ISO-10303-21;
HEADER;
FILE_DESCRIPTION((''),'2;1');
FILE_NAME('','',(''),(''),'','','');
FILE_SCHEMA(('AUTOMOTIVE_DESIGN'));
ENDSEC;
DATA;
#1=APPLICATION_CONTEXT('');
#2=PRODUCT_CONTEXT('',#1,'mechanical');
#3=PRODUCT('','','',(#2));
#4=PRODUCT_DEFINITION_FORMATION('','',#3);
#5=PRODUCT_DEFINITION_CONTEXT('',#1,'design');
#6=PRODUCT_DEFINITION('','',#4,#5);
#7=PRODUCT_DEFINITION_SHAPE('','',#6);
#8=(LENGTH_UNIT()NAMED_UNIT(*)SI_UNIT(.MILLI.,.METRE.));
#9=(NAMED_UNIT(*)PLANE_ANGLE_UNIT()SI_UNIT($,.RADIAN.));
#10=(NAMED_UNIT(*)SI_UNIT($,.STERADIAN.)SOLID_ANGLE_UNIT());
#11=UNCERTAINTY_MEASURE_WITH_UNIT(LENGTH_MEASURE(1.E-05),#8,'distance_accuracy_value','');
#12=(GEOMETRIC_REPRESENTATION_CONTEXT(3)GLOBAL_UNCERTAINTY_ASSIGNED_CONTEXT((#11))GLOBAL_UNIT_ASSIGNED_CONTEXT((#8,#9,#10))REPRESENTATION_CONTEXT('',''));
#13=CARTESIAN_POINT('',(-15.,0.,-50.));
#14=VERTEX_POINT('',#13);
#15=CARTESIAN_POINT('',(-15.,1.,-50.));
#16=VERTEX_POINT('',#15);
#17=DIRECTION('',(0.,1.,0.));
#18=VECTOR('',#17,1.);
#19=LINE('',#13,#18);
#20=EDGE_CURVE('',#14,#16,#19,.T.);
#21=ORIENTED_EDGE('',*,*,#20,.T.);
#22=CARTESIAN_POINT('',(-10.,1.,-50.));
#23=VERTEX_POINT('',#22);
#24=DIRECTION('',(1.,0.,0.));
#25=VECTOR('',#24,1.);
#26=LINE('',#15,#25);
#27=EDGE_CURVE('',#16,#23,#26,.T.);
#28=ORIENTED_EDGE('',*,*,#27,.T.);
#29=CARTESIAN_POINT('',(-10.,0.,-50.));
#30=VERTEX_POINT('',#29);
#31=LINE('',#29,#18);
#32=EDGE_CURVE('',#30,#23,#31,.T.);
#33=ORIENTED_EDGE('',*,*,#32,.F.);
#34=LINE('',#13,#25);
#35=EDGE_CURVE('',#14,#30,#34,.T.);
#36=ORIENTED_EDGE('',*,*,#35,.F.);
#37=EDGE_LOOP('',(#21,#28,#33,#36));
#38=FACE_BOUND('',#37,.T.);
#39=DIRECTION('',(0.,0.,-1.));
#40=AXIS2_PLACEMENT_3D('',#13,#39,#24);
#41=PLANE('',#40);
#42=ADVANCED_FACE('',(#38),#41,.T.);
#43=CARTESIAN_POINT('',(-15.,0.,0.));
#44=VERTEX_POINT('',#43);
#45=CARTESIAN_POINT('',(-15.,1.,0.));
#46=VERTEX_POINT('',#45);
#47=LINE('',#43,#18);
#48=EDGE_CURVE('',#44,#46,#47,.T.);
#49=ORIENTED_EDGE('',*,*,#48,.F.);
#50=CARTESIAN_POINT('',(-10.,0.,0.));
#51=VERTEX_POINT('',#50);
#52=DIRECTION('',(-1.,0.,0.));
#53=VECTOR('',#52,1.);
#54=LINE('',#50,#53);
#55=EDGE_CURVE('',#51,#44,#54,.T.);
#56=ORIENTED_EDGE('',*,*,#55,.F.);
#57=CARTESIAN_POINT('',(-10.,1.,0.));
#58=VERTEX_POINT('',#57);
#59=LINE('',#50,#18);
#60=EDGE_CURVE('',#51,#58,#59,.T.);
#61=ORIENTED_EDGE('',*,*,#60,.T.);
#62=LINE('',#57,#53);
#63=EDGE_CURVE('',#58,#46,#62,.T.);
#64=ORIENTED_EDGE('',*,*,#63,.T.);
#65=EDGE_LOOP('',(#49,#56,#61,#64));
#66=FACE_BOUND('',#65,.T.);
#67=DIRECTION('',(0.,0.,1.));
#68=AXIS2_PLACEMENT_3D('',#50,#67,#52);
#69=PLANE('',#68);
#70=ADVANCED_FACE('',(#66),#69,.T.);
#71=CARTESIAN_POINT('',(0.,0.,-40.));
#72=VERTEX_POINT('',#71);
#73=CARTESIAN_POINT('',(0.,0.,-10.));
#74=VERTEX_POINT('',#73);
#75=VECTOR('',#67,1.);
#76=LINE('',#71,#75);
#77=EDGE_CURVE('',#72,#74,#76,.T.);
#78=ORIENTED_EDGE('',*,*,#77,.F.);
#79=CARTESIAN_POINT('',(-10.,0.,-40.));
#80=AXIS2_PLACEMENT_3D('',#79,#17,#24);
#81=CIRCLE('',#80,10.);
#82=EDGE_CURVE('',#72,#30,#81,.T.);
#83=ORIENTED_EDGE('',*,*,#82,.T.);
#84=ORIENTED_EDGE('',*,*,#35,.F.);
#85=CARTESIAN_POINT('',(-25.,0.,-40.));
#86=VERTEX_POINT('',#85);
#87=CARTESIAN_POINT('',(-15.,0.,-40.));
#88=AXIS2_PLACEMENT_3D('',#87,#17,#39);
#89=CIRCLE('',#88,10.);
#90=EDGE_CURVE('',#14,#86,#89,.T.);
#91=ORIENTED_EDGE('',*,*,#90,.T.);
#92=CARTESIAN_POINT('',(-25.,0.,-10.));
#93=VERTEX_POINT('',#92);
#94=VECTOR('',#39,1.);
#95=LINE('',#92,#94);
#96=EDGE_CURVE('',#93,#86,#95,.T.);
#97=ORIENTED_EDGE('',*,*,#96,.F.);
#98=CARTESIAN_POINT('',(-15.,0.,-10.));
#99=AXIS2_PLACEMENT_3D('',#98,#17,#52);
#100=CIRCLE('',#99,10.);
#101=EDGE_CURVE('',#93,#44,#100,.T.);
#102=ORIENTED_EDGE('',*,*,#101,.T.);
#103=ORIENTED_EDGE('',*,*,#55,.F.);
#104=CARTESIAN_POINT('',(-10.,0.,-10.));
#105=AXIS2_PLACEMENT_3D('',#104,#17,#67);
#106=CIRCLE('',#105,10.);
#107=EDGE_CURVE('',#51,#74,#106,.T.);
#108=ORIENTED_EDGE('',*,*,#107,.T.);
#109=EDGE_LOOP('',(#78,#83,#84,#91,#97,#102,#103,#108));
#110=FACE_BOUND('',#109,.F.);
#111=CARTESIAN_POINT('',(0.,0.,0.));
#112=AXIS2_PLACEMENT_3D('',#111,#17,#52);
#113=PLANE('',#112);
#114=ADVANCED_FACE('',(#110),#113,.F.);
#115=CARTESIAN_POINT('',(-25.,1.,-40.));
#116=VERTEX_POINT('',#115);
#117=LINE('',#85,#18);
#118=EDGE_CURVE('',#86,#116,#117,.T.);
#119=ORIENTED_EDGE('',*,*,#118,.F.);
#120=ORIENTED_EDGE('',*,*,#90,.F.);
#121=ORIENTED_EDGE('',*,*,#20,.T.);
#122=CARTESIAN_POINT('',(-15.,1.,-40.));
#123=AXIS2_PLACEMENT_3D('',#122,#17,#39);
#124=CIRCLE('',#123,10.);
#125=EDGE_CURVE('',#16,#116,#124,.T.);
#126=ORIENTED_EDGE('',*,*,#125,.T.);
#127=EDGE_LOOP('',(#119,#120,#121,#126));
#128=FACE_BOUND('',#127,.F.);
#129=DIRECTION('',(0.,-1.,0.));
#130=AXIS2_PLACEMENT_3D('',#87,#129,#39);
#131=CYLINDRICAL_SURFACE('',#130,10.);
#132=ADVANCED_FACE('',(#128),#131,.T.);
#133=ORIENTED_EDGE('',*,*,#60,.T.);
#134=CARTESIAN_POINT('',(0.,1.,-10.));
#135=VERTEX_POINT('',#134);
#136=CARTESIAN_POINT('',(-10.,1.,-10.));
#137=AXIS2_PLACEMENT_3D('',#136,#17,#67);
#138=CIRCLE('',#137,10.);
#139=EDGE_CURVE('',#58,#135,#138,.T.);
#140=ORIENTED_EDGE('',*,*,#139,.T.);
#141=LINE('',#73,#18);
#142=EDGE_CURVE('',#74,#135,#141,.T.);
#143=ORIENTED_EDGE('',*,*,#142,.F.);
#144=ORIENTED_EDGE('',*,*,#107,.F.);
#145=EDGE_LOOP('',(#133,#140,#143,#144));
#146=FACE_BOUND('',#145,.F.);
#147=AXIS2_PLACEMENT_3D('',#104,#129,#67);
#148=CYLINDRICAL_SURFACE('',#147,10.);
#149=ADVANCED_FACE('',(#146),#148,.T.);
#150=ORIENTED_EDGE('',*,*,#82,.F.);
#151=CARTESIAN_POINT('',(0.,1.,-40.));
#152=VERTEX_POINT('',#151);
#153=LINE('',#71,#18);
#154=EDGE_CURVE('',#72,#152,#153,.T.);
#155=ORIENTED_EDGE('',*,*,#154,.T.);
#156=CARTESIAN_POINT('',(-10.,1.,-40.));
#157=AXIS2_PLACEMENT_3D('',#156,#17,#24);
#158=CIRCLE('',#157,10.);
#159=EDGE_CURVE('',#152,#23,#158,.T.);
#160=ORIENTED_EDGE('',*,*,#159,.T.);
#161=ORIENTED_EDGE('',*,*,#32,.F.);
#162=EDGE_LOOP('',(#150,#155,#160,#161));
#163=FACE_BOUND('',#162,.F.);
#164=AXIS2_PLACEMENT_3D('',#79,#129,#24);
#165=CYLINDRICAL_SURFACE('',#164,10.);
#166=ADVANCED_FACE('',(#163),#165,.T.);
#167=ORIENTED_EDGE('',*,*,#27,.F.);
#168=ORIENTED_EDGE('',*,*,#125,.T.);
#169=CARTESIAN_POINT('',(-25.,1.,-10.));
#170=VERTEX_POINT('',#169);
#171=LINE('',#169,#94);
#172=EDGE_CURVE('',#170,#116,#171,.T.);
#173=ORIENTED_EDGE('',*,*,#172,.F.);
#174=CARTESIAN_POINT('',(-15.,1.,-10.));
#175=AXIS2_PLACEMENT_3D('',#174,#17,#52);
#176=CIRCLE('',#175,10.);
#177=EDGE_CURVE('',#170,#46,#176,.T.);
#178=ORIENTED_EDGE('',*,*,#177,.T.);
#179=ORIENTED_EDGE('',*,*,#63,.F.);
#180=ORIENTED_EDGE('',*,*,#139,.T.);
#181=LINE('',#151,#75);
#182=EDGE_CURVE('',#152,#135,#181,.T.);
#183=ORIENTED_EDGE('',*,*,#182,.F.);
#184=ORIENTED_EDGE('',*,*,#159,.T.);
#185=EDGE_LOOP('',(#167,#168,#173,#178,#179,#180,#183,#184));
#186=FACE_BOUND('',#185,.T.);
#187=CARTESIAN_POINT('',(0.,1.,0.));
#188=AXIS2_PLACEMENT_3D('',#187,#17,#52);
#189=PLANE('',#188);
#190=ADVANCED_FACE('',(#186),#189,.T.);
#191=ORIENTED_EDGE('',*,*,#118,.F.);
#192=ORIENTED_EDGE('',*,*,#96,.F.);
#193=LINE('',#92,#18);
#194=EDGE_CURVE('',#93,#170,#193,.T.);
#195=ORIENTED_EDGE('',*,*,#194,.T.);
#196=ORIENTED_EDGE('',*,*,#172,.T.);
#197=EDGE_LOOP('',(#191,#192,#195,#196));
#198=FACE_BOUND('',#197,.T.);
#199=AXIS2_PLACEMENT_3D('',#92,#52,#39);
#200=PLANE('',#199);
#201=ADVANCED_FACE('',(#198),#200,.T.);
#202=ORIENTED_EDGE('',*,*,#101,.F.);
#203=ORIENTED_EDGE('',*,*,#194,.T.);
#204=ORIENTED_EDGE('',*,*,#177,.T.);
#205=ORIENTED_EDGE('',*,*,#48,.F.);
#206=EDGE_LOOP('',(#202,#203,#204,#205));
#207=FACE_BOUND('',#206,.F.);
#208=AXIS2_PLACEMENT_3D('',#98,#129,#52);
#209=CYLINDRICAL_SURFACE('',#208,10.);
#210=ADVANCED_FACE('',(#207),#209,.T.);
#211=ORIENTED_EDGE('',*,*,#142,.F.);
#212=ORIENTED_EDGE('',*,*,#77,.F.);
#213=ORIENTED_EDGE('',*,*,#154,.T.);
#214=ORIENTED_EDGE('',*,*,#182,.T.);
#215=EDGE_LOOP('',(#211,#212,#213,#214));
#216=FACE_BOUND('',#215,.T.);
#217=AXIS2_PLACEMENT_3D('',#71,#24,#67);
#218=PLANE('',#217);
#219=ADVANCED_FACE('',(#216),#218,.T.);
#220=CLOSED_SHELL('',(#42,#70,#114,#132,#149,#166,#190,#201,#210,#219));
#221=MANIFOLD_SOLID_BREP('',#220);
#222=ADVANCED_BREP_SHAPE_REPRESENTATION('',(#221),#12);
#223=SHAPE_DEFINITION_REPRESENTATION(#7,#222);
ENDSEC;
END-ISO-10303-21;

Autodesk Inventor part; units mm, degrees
ref_plane "YZ Plane" through (0, 0, 0) normal (1, 0, 0) x (0, 1, 0)
ref_plane "XZ Plane" through (0, 0, 0) normal (0, 1, 0) x (-1, 0, 0)
ref_plane "XY Plane" through (0, 0, 0) normal (0, 0, 1) x (1, 0, 0)
sketch "Sketch1" plane through (0, 0, 0) normal (0, 1, 0) x (-1, 0, 0)
  line L0 (10, 0) -> (15, 0)
  line L1 (25, -10) -> (25, -40)
  line L2 (15, -50) -> (10, -50)
  line L3 (0, -40) -> (0, -10)
  arc A0 (25, -2) -> (23, 0) centre (23, -2) ccw
  arc A1 (25, -10) -> (15, 0) centre (15, -10) ccw
  arc A2 (10, 0) -> (0, -10) centre (10, -10) ccw
  arc A3 (0, -40) -> (10, -50) centre (10, -40) ccw
  arc A4 (15, -50) -> (25, -40) centre (15, -40) ccw
  point P0 (0, 0)
  point P1 (25, -50)
  point P2 (25, 0)
  point P3 (0, -50)
  dimension "d0" = 25
  dimension "d1" = 50
  dimension "d2" = 2
  dimension "d3" = 10
extrude "Extrusion1" add sketch "Sketch1" along normal blind 1
properties part number "popsicle stick"
